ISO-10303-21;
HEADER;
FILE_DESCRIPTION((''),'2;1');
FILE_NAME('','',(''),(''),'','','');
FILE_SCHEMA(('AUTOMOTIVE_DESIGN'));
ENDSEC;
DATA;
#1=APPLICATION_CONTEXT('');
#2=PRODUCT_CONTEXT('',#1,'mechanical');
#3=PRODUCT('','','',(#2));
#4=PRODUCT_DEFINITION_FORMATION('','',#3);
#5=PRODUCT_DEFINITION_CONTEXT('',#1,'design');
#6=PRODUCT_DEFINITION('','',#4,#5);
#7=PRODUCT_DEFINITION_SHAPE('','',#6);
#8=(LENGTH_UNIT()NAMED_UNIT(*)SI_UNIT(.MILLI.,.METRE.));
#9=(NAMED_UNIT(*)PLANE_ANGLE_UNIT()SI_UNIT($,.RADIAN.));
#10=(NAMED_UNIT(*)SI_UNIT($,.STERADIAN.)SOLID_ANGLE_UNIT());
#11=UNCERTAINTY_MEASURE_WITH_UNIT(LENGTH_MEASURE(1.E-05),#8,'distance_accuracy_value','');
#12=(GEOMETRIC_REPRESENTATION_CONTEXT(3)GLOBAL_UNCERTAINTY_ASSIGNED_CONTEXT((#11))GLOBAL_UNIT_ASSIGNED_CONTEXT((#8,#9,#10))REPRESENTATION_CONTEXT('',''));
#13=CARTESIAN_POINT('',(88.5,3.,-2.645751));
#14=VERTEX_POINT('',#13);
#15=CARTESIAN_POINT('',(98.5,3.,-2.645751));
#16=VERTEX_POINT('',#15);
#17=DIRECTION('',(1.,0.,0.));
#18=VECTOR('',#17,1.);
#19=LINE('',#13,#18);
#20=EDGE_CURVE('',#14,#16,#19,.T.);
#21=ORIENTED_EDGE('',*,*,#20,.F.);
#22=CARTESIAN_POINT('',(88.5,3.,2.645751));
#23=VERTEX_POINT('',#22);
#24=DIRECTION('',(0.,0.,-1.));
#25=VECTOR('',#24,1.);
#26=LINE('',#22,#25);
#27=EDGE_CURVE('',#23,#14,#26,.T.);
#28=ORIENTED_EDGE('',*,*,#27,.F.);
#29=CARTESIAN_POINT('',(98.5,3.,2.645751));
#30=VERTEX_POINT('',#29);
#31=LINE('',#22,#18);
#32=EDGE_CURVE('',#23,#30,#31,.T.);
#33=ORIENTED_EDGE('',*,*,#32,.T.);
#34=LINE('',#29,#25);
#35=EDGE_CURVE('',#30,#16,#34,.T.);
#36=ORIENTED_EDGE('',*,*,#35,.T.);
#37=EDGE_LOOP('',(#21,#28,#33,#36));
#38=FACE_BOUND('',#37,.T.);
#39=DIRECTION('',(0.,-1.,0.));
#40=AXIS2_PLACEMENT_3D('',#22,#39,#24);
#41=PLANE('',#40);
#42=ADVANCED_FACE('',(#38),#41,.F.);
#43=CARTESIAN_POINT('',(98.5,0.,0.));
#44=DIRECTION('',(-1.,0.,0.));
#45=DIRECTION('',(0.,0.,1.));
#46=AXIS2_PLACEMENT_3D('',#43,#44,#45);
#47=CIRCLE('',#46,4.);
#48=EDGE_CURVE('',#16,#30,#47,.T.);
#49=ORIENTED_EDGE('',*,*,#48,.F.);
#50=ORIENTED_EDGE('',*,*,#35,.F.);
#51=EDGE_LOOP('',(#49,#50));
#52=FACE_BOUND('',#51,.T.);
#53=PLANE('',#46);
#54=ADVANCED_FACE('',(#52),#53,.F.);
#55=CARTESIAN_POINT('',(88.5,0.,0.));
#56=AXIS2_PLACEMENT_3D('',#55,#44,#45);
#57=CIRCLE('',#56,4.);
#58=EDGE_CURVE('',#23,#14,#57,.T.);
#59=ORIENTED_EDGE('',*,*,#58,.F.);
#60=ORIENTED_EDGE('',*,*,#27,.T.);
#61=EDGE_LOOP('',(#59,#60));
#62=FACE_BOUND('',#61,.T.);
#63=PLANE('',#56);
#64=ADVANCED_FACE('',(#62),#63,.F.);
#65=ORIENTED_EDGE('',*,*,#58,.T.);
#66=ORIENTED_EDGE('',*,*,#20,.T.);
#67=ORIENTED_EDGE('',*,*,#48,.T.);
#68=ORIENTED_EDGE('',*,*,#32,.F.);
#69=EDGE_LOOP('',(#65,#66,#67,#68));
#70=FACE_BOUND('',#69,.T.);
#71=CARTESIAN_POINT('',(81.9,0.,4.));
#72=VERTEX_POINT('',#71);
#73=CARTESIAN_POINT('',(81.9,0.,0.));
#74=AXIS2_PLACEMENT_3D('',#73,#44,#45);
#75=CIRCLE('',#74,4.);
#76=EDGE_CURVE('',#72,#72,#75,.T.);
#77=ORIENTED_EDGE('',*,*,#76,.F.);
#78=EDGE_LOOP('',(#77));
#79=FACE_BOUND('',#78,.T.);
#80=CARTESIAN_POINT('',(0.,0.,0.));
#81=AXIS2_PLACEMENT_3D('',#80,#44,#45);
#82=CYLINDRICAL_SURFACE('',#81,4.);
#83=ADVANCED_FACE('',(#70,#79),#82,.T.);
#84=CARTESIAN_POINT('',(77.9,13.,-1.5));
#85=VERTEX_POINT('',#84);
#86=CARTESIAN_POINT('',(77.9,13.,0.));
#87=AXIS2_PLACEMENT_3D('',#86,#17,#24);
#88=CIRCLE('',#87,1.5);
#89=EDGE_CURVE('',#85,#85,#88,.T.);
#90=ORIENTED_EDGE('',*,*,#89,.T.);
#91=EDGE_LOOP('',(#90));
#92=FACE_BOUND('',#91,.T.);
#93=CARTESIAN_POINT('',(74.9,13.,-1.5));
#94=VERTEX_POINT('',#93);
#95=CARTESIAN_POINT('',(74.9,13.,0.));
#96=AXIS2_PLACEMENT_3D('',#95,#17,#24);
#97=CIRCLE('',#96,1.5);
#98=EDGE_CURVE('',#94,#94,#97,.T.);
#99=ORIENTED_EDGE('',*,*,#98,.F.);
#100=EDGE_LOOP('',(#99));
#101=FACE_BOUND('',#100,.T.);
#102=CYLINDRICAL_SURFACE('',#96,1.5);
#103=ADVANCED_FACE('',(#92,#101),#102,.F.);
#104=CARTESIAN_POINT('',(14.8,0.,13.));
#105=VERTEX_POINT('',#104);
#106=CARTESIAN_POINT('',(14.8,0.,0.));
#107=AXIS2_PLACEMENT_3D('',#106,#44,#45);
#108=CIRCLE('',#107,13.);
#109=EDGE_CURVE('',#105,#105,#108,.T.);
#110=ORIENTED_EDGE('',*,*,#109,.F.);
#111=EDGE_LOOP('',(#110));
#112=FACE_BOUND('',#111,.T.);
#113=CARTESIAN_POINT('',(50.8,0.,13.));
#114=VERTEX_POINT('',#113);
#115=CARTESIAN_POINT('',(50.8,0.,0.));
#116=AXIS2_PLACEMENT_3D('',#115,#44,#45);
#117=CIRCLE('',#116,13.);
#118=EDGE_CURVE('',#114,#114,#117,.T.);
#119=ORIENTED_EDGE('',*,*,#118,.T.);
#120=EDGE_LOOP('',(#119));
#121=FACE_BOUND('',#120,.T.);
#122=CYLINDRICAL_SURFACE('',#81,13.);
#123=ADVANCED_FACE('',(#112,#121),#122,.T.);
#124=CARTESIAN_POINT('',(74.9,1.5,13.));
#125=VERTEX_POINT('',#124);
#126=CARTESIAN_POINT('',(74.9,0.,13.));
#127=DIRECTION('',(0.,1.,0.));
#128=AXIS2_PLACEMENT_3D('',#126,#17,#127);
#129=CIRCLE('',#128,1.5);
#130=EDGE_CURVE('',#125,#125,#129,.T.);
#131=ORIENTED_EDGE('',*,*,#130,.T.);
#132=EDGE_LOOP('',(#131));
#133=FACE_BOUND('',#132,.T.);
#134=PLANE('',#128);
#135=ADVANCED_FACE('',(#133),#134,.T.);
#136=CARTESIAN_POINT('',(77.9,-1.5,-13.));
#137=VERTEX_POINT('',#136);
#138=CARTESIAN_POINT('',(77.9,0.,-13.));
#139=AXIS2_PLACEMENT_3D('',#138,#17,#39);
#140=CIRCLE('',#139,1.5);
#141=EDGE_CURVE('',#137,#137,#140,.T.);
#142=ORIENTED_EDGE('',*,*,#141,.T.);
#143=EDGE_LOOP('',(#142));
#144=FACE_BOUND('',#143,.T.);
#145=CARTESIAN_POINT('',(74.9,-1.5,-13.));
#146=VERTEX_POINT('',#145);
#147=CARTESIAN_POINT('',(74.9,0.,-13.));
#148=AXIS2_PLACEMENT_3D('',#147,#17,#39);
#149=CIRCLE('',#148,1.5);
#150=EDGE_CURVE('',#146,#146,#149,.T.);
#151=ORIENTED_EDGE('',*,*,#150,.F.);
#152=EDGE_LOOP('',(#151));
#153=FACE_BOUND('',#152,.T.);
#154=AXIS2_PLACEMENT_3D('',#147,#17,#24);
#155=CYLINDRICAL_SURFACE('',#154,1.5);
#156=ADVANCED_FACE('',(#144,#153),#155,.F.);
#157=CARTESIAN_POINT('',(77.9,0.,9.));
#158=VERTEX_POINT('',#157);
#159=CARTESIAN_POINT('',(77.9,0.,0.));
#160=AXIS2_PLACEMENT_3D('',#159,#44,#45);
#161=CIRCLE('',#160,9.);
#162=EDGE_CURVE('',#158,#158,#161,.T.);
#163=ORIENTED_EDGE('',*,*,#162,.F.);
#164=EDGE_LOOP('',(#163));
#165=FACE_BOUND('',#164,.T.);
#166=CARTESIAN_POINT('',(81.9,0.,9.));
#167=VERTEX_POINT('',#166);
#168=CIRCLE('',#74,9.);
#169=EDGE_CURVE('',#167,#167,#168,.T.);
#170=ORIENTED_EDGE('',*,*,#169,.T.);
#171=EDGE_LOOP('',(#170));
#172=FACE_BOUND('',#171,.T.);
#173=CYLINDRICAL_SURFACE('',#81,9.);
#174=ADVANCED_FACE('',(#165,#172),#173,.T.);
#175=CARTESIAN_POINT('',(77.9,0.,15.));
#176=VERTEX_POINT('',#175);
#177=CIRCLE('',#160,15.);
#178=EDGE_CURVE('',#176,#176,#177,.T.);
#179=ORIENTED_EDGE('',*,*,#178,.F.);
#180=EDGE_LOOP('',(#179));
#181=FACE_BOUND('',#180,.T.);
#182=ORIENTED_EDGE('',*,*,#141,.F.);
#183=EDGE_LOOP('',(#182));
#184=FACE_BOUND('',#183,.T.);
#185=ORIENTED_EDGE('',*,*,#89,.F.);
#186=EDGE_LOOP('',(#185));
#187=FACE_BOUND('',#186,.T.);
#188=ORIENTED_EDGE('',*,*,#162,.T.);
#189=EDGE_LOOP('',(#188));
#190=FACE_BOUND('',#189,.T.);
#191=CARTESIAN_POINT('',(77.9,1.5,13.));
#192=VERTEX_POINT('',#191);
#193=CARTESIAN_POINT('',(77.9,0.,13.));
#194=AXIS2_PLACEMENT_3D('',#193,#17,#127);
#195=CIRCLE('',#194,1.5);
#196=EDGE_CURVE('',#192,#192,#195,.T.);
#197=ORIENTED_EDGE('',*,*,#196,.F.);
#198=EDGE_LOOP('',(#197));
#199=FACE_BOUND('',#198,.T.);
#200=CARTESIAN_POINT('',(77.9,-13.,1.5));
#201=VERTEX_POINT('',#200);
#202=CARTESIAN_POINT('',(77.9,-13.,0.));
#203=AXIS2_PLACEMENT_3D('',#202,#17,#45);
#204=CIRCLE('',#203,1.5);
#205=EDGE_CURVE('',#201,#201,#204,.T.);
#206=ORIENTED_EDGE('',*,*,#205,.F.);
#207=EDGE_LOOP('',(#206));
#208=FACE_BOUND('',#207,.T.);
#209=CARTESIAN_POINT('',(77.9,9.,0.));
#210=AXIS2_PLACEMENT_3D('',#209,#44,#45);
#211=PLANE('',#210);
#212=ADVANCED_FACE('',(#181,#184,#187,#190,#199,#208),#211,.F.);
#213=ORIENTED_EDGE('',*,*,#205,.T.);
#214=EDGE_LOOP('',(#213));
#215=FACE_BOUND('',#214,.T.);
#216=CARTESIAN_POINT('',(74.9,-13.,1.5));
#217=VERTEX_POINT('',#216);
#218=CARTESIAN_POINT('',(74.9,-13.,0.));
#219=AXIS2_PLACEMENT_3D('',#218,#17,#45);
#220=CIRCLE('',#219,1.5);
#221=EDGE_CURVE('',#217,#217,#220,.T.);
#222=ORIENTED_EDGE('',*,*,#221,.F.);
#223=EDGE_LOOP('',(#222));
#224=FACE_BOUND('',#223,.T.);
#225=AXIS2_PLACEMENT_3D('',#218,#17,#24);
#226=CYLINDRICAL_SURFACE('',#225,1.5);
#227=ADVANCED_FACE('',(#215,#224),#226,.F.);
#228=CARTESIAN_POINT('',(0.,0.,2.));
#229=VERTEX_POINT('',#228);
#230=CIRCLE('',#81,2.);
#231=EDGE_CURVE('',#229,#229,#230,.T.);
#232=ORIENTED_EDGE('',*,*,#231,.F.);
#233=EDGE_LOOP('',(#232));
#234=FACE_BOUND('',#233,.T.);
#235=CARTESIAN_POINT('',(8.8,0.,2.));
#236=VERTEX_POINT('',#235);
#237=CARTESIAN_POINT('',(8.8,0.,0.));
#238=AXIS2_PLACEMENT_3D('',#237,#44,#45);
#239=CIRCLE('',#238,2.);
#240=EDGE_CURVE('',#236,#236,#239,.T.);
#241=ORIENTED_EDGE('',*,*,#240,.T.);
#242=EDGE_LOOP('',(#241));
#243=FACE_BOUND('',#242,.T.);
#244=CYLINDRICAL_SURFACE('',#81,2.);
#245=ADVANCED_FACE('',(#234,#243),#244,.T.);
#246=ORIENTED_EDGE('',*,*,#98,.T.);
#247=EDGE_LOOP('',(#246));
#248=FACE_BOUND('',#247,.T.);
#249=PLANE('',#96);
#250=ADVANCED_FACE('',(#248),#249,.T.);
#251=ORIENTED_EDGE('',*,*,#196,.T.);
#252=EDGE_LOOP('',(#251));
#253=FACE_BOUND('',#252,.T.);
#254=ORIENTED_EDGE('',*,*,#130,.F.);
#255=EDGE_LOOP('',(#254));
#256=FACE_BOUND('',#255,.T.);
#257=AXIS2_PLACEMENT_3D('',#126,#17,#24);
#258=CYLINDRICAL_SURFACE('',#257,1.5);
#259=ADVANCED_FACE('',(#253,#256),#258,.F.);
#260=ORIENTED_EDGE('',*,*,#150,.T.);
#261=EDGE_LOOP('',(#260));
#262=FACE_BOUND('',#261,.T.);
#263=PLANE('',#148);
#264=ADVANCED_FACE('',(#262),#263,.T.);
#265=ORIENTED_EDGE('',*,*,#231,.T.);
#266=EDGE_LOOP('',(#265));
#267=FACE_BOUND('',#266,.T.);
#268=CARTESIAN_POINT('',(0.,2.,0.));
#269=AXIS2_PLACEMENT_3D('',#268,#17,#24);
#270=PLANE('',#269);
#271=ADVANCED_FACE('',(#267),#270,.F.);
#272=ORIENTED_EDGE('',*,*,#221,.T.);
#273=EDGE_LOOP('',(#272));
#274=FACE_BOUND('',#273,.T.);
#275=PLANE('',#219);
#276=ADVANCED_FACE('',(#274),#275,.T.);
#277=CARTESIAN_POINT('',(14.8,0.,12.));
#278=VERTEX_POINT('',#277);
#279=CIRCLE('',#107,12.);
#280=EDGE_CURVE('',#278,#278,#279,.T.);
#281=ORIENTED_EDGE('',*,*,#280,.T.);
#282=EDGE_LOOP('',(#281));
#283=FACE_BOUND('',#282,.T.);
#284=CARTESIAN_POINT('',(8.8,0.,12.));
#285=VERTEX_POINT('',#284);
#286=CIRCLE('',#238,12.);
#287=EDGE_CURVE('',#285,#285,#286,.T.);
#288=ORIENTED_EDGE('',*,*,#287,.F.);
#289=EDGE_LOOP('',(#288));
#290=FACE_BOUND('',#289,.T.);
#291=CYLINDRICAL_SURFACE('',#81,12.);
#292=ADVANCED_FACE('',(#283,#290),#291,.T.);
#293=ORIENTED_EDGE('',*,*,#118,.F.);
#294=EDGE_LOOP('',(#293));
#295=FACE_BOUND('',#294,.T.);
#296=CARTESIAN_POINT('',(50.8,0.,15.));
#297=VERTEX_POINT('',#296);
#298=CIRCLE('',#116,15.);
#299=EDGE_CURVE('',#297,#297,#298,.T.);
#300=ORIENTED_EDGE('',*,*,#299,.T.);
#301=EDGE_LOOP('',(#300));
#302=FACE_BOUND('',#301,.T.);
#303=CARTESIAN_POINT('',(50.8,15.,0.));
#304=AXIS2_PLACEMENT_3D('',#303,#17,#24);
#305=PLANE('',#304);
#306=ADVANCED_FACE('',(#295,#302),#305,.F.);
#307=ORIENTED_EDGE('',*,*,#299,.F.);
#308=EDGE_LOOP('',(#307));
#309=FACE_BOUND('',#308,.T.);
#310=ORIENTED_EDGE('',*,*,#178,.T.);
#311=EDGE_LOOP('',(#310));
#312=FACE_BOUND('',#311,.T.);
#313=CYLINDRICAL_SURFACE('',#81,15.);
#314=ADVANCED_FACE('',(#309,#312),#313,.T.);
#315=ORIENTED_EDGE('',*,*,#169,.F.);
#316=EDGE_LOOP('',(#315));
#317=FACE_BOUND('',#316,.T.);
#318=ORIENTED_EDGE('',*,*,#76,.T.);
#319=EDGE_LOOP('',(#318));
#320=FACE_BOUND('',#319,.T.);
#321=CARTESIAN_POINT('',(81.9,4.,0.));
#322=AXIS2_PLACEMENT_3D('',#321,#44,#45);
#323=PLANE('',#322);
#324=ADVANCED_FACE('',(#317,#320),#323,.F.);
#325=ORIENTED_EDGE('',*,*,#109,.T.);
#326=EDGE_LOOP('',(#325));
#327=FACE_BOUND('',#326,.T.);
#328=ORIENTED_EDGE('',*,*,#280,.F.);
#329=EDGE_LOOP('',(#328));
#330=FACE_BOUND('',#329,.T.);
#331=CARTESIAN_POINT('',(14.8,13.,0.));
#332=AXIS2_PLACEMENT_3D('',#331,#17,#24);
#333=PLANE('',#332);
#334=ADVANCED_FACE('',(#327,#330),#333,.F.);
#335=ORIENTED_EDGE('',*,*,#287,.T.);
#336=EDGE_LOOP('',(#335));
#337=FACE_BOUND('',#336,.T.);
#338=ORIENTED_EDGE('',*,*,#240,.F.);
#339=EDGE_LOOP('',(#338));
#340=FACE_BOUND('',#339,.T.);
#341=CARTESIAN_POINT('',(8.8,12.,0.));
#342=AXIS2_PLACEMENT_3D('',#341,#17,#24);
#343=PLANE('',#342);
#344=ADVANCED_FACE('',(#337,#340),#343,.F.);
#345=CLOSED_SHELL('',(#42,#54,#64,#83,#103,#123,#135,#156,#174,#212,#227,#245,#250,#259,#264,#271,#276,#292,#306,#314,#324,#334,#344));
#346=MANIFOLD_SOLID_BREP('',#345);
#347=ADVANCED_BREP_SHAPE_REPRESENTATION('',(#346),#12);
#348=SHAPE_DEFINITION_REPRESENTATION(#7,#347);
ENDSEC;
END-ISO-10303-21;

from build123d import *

# Parameters (mm, degrees)
ESQUISSE2_W             = 5.291502622
ESQUISSE2_H             = 1
ENL_V_MAT_EXTRU_1_DEPTH = 10
ESQUISSE3_R             = 1.5
FIXHOLES_DEPTH          = 3
REPEATFIXHOLES_COUNT    = 4


with BuildPart() as part:
    # Esquisse1 → MainRevolution (revolve)
    with BuildSketch(Plane.XY):
        Polygon((0, 0), (98.5, 0), (98.5, 4), (81.9, 4), (81.9, 9), (77.9, 9), (77.9, 15), (50.8, 15), (50.8, 13), (14.8, 13), (14.8, 12), (8.8, 12), (8.8, 2), (0, 2), align=None)
    revolve(axis=Axis((0, 0, 0), (1, 0, 0)))

    # Esquisse2 → Enlèv. mat.-Extru.1 (cut)
    with BuildSketch(Plane(origin=(98.5, 0, 0), x_dir=(0, 0, -1), z_dir=(1, 0, 0))):
        with Locations((0, 3.5)):
            Rectangle(ESQUISSE2_W, ESQUISSE2_H)
    extrude(amount=-ENL_V_MAT_EXTRU_1_DEPTH, mode=Mode.SUBTRACT)

    # Esquisse3 → FixHoles (cut)
    with BuildSketch(Plane(origin=(77.9, 0, 0), x_dir=(0, 0, -1), z_dir=(1, 0, 0))):
        with Locations((0, 13)):
            Circle(ESQUISSE3_R)
    fixholes = extrude(amount=-FIXHOLES_DEPTH, mode=Mode.SUBTRACT)

    # RepeatFixHoles: FixHoles ×4 about axis
    repeatfixholes_axis = Axis((-5.325, 0, 0), (1, 0, 0))
    for i in range(1, REPEATFIXHOLES_COUNT):
        add(fixholes.rotate(repeatfixholes_axis, i * 360 / REPEATFIXHOLES_COUNT), mode=Mode.SUBTRACT)


solid = part.part
